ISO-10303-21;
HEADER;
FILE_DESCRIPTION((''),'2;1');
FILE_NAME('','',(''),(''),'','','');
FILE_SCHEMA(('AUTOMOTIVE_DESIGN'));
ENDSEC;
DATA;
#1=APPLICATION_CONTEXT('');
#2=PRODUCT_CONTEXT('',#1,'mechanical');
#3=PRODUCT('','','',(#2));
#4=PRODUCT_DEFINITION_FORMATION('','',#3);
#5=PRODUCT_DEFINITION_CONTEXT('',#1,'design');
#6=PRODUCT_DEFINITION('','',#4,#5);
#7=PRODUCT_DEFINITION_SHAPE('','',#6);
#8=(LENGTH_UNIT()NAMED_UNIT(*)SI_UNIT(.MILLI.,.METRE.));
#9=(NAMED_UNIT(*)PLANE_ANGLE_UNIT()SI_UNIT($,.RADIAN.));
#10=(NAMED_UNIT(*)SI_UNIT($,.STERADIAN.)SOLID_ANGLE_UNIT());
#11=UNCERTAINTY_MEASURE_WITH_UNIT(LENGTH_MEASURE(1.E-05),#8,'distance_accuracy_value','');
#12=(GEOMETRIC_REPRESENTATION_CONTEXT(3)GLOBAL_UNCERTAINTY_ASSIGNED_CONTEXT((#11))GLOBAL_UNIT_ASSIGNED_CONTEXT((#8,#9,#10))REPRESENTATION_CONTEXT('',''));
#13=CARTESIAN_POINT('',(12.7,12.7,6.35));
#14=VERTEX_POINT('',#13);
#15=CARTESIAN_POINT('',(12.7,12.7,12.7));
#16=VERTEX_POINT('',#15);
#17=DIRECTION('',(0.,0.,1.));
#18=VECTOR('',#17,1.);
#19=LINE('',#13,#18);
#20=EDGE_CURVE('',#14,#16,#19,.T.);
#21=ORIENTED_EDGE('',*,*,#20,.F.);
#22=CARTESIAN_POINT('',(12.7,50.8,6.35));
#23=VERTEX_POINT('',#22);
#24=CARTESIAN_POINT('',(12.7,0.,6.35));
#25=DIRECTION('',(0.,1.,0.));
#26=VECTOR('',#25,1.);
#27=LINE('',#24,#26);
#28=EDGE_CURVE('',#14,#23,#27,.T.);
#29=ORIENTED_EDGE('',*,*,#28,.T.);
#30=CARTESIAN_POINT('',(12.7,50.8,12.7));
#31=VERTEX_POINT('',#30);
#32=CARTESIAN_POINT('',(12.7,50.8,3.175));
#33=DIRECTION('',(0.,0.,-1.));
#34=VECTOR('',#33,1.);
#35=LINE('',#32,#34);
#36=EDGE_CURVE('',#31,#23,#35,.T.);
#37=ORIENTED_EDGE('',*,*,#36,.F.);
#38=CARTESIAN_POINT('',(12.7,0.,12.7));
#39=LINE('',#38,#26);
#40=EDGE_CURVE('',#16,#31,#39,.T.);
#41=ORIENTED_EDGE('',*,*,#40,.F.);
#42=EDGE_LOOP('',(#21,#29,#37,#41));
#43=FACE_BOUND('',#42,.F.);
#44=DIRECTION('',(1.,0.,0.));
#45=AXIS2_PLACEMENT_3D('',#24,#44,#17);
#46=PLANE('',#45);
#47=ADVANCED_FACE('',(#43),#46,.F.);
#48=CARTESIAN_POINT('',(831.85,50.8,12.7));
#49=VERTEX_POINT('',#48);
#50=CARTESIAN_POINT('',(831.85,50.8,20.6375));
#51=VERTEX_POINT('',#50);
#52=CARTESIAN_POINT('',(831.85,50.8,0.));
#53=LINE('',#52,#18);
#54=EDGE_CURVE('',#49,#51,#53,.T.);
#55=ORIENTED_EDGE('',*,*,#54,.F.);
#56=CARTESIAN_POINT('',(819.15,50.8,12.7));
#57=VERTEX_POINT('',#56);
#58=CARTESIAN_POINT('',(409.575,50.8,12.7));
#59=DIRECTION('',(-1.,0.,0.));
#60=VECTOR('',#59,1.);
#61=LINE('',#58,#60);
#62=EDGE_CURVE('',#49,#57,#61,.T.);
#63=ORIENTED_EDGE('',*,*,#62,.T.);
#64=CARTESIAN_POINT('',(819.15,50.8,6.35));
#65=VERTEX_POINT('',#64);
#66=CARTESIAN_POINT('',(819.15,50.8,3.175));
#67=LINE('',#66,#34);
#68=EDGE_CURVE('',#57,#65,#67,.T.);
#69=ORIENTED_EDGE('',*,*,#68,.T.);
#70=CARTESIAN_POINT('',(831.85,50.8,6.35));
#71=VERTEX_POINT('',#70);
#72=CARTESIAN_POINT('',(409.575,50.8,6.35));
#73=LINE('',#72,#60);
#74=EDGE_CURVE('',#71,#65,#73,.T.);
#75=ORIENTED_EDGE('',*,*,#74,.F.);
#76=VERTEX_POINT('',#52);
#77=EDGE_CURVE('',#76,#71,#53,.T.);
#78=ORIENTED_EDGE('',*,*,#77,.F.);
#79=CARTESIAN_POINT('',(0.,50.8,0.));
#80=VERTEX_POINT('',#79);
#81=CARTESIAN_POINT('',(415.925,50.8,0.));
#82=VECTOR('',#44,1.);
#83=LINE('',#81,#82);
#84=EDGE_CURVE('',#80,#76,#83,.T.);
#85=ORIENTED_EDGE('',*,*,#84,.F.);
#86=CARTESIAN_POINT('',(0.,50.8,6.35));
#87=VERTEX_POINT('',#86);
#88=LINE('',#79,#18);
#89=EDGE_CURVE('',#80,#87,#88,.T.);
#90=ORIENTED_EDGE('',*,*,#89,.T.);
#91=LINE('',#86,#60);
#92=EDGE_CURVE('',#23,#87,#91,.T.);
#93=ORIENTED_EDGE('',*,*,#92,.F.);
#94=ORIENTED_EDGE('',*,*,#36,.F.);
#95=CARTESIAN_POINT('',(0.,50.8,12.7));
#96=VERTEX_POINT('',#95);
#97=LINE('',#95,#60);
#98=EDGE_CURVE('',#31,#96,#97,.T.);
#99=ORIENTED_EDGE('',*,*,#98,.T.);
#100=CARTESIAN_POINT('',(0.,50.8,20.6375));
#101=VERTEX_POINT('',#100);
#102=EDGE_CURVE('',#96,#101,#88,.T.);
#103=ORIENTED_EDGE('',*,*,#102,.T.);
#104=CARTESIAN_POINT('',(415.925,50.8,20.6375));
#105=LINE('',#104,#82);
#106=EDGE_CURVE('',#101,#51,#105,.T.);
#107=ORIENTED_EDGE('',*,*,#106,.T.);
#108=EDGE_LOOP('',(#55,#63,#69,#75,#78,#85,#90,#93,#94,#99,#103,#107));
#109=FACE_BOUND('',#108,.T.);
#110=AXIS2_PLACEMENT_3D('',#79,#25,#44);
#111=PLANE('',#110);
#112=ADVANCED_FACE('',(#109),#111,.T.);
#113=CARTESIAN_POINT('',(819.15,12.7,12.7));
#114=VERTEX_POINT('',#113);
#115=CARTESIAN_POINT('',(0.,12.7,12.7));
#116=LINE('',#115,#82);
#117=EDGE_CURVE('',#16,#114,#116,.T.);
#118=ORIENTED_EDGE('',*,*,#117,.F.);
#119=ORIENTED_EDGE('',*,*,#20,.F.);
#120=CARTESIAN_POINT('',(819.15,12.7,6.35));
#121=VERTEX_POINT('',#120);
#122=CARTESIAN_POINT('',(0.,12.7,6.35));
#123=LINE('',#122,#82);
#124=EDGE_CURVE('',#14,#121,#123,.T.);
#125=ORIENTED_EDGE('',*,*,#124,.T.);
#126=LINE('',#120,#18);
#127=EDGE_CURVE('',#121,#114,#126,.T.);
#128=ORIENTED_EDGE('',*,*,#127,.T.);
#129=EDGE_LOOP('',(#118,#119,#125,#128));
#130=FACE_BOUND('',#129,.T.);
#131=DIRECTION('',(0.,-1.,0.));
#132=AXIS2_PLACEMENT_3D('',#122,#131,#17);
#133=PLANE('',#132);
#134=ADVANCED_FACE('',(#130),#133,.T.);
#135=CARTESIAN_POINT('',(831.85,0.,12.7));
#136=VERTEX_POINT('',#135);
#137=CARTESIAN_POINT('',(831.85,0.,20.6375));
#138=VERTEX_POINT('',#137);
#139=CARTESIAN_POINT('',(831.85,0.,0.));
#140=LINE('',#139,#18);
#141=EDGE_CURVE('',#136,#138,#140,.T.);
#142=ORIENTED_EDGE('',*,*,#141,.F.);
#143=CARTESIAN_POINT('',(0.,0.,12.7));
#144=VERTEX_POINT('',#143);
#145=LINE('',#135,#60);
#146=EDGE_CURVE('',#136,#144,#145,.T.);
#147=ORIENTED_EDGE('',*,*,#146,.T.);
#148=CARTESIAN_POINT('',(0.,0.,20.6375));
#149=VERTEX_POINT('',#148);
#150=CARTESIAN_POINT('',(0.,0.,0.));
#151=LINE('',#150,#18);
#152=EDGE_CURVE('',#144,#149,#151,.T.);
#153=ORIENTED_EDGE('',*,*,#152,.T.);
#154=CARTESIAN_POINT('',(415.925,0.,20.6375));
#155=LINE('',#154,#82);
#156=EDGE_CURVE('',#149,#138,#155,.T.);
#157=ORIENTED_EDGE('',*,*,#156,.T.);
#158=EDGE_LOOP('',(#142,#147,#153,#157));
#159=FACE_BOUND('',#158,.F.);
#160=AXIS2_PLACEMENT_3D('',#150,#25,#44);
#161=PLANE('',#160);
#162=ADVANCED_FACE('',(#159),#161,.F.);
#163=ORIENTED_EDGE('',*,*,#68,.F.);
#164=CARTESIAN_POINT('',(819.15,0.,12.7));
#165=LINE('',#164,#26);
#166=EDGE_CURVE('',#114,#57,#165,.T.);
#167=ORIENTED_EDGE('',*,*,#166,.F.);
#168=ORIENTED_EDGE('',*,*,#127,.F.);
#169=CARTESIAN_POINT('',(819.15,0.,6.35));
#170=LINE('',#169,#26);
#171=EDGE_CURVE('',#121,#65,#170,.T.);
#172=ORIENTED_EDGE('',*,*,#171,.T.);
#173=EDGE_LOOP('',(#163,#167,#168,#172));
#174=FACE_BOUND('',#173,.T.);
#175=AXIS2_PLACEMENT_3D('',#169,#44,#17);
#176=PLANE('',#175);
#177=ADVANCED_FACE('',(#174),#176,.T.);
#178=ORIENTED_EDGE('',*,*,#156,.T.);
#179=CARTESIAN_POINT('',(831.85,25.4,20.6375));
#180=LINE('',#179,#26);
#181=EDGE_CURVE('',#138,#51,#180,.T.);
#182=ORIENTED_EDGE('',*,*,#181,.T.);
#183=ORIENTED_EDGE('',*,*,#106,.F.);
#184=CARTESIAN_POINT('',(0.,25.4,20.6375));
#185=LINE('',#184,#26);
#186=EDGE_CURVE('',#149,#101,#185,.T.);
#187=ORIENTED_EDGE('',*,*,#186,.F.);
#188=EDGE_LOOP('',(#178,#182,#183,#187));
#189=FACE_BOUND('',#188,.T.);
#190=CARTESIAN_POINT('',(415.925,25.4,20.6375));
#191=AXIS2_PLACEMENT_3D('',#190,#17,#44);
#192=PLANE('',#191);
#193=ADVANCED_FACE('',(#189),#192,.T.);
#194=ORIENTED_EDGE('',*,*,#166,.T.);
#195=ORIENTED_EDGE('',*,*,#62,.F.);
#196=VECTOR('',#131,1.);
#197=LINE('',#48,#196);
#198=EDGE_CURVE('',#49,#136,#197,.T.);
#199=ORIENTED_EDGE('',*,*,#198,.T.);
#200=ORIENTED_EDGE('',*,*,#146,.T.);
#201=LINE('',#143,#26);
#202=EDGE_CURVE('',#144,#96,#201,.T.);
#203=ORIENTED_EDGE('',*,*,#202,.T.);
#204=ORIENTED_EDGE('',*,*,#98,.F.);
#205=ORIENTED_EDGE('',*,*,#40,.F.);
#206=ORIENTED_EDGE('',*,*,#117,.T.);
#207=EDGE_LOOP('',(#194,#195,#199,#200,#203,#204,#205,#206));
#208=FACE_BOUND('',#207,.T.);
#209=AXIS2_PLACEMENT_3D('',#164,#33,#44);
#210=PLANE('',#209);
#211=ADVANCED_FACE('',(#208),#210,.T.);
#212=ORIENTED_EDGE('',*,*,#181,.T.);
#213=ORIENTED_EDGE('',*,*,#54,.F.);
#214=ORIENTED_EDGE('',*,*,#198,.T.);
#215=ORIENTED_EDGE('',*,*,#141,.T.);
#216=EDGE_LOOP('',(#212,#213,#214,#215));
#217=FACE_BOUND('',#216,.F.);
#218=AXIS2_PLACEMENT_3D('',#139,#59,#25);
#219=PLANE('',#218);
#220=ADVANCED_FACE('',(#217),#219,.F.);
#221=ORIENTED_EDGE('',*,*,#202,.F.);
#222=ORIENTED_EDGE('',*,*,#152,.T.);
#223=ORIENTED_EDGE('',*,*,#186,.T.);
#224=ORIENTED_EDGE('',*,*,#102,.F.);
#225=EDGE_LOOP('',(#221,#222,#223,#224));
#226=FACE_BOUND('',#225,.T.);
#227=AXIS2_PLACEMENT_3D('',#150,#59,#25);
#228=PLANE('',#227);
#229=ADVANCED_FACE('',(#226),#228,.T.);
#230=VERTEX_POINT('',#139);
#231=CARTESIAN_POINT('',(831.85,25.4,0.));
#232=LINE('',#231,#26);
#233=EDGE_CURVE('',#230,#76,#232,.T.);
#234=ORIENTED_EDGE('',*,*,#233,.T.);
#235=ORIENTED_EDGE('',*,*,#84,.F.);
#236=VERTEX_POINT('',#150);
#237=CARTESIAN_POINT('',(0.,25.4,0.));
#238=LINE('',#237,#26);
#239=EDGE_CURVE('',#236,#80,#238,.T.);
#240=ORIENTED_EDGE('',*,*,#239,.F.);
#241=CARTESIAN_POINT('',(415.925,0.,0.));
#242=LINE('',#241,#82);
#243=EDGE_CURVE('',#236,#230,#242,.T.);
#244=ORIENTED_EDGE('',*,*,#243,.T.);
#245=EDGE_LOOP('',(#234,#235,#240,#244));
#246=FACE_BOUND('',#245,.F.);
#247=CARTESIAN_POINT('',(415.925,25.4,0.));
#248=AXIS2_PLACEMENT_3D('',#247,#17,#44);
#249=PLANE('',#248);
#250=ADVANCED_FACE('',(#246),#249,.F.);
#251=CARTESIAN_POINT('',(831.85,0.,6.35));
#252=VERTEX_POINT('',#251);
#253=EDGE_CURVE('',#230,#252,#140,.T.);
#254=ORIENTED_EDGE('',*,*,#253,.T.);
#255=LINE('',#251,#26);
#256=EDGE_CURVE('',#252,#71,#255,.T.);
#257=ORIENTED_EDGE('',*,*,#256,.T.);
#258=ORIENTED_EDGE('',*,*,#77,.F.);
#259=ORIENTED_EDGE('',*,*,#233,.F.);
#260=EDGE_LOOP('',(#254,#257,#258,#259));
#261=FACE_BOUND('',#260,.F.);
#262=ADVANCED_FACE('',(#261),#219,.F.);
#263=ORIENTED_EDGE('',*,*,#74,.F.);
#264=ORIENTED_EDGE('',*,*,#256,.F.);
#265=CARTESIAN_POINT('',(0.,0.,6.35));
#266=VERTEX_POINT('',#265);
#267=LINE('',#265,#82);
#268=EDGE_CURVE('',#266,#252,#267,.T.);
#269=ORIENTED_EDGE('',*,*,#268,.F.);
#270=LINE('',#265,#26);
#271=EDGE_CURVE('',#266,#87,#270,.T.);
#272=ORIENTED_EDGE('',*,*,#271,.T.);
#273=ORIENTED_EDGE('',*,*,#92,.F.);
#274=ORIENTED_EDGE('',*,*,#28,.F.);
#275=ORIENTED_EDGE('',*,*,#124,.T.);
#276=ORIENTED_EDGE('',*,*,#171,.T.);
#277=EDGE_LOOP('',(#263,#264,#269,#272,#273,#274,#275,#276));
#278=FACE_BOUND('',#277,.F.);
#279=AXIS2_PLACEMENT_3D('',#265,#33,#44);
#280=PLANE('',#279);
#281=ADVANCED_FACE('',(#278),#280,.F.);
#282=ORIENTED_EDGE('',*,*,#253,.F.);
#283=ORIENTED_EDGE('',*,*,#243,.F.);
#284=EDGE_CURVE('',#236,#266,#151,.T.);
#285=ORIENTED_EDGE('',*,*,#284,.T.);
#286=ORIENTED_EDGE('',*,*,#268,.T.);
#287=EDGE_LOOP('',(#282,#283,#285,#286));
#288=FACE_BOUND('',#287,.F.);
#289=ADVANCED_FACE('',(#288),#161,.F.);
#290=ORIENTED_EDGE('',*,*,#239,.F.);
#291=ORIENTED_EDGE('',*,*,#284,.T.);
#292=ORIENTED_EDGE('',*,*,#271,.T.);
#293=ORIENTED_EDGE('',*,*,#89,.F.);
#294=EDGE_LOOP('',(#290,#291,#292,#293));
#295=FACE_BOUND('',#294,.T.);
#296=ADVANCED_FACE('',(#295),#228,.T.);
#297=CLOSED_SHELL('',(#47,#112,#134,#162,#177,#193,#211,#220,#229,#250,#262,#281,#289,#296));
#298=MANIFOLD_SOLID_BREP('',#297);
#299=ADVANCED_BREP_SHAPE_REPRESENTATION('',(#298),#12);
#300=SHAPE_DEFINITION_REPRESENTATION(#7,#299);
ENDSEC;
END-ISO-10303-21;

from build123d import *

# Parameters (mm, degrees)
F0_W     = 831.85
F0_H     = 50.8
F1_DEPTH = 20.6375
F2_W     = 12.7
F2_H     = 6.35
F3_DEPTH = 831.85
F4_W     = 12.7
F4_H     = 6.35
F5_DEPTH = 50.801


with BuildPart() as f1:
    # F0 (on Top) → F1 (new body)
    with BuildSketch(Plane.XY):
        with Locations((415.925, 25.4)):
            Rectangle(F0_W, F0_H)
    extrude(amount=F1_DEPTH)

    # F2 (on Right) → F3 (cut, through all)
    with BuildSketch(Plane.YZ):
        with Locations((6.35, 9.525)):
            Rectangle(F2_W, F2_H)
    extrude(amount=F3_DEPTH, mode=Mode.SUBTRACT)

    # F4 (on Front) → F5 (cut, through all)
    with BuildSketch(Plane.XZ):
        with Locations((6.35, 9.525)):
            Rectangle(F4_W, F4_H)
        with Locations((825.5, 9.525)):
            Rectangle(F4_W, F4_H)
    extrude(amount=-F5_DEPTH, mode=Mode.SUBTRACT)


solid = f1.part
